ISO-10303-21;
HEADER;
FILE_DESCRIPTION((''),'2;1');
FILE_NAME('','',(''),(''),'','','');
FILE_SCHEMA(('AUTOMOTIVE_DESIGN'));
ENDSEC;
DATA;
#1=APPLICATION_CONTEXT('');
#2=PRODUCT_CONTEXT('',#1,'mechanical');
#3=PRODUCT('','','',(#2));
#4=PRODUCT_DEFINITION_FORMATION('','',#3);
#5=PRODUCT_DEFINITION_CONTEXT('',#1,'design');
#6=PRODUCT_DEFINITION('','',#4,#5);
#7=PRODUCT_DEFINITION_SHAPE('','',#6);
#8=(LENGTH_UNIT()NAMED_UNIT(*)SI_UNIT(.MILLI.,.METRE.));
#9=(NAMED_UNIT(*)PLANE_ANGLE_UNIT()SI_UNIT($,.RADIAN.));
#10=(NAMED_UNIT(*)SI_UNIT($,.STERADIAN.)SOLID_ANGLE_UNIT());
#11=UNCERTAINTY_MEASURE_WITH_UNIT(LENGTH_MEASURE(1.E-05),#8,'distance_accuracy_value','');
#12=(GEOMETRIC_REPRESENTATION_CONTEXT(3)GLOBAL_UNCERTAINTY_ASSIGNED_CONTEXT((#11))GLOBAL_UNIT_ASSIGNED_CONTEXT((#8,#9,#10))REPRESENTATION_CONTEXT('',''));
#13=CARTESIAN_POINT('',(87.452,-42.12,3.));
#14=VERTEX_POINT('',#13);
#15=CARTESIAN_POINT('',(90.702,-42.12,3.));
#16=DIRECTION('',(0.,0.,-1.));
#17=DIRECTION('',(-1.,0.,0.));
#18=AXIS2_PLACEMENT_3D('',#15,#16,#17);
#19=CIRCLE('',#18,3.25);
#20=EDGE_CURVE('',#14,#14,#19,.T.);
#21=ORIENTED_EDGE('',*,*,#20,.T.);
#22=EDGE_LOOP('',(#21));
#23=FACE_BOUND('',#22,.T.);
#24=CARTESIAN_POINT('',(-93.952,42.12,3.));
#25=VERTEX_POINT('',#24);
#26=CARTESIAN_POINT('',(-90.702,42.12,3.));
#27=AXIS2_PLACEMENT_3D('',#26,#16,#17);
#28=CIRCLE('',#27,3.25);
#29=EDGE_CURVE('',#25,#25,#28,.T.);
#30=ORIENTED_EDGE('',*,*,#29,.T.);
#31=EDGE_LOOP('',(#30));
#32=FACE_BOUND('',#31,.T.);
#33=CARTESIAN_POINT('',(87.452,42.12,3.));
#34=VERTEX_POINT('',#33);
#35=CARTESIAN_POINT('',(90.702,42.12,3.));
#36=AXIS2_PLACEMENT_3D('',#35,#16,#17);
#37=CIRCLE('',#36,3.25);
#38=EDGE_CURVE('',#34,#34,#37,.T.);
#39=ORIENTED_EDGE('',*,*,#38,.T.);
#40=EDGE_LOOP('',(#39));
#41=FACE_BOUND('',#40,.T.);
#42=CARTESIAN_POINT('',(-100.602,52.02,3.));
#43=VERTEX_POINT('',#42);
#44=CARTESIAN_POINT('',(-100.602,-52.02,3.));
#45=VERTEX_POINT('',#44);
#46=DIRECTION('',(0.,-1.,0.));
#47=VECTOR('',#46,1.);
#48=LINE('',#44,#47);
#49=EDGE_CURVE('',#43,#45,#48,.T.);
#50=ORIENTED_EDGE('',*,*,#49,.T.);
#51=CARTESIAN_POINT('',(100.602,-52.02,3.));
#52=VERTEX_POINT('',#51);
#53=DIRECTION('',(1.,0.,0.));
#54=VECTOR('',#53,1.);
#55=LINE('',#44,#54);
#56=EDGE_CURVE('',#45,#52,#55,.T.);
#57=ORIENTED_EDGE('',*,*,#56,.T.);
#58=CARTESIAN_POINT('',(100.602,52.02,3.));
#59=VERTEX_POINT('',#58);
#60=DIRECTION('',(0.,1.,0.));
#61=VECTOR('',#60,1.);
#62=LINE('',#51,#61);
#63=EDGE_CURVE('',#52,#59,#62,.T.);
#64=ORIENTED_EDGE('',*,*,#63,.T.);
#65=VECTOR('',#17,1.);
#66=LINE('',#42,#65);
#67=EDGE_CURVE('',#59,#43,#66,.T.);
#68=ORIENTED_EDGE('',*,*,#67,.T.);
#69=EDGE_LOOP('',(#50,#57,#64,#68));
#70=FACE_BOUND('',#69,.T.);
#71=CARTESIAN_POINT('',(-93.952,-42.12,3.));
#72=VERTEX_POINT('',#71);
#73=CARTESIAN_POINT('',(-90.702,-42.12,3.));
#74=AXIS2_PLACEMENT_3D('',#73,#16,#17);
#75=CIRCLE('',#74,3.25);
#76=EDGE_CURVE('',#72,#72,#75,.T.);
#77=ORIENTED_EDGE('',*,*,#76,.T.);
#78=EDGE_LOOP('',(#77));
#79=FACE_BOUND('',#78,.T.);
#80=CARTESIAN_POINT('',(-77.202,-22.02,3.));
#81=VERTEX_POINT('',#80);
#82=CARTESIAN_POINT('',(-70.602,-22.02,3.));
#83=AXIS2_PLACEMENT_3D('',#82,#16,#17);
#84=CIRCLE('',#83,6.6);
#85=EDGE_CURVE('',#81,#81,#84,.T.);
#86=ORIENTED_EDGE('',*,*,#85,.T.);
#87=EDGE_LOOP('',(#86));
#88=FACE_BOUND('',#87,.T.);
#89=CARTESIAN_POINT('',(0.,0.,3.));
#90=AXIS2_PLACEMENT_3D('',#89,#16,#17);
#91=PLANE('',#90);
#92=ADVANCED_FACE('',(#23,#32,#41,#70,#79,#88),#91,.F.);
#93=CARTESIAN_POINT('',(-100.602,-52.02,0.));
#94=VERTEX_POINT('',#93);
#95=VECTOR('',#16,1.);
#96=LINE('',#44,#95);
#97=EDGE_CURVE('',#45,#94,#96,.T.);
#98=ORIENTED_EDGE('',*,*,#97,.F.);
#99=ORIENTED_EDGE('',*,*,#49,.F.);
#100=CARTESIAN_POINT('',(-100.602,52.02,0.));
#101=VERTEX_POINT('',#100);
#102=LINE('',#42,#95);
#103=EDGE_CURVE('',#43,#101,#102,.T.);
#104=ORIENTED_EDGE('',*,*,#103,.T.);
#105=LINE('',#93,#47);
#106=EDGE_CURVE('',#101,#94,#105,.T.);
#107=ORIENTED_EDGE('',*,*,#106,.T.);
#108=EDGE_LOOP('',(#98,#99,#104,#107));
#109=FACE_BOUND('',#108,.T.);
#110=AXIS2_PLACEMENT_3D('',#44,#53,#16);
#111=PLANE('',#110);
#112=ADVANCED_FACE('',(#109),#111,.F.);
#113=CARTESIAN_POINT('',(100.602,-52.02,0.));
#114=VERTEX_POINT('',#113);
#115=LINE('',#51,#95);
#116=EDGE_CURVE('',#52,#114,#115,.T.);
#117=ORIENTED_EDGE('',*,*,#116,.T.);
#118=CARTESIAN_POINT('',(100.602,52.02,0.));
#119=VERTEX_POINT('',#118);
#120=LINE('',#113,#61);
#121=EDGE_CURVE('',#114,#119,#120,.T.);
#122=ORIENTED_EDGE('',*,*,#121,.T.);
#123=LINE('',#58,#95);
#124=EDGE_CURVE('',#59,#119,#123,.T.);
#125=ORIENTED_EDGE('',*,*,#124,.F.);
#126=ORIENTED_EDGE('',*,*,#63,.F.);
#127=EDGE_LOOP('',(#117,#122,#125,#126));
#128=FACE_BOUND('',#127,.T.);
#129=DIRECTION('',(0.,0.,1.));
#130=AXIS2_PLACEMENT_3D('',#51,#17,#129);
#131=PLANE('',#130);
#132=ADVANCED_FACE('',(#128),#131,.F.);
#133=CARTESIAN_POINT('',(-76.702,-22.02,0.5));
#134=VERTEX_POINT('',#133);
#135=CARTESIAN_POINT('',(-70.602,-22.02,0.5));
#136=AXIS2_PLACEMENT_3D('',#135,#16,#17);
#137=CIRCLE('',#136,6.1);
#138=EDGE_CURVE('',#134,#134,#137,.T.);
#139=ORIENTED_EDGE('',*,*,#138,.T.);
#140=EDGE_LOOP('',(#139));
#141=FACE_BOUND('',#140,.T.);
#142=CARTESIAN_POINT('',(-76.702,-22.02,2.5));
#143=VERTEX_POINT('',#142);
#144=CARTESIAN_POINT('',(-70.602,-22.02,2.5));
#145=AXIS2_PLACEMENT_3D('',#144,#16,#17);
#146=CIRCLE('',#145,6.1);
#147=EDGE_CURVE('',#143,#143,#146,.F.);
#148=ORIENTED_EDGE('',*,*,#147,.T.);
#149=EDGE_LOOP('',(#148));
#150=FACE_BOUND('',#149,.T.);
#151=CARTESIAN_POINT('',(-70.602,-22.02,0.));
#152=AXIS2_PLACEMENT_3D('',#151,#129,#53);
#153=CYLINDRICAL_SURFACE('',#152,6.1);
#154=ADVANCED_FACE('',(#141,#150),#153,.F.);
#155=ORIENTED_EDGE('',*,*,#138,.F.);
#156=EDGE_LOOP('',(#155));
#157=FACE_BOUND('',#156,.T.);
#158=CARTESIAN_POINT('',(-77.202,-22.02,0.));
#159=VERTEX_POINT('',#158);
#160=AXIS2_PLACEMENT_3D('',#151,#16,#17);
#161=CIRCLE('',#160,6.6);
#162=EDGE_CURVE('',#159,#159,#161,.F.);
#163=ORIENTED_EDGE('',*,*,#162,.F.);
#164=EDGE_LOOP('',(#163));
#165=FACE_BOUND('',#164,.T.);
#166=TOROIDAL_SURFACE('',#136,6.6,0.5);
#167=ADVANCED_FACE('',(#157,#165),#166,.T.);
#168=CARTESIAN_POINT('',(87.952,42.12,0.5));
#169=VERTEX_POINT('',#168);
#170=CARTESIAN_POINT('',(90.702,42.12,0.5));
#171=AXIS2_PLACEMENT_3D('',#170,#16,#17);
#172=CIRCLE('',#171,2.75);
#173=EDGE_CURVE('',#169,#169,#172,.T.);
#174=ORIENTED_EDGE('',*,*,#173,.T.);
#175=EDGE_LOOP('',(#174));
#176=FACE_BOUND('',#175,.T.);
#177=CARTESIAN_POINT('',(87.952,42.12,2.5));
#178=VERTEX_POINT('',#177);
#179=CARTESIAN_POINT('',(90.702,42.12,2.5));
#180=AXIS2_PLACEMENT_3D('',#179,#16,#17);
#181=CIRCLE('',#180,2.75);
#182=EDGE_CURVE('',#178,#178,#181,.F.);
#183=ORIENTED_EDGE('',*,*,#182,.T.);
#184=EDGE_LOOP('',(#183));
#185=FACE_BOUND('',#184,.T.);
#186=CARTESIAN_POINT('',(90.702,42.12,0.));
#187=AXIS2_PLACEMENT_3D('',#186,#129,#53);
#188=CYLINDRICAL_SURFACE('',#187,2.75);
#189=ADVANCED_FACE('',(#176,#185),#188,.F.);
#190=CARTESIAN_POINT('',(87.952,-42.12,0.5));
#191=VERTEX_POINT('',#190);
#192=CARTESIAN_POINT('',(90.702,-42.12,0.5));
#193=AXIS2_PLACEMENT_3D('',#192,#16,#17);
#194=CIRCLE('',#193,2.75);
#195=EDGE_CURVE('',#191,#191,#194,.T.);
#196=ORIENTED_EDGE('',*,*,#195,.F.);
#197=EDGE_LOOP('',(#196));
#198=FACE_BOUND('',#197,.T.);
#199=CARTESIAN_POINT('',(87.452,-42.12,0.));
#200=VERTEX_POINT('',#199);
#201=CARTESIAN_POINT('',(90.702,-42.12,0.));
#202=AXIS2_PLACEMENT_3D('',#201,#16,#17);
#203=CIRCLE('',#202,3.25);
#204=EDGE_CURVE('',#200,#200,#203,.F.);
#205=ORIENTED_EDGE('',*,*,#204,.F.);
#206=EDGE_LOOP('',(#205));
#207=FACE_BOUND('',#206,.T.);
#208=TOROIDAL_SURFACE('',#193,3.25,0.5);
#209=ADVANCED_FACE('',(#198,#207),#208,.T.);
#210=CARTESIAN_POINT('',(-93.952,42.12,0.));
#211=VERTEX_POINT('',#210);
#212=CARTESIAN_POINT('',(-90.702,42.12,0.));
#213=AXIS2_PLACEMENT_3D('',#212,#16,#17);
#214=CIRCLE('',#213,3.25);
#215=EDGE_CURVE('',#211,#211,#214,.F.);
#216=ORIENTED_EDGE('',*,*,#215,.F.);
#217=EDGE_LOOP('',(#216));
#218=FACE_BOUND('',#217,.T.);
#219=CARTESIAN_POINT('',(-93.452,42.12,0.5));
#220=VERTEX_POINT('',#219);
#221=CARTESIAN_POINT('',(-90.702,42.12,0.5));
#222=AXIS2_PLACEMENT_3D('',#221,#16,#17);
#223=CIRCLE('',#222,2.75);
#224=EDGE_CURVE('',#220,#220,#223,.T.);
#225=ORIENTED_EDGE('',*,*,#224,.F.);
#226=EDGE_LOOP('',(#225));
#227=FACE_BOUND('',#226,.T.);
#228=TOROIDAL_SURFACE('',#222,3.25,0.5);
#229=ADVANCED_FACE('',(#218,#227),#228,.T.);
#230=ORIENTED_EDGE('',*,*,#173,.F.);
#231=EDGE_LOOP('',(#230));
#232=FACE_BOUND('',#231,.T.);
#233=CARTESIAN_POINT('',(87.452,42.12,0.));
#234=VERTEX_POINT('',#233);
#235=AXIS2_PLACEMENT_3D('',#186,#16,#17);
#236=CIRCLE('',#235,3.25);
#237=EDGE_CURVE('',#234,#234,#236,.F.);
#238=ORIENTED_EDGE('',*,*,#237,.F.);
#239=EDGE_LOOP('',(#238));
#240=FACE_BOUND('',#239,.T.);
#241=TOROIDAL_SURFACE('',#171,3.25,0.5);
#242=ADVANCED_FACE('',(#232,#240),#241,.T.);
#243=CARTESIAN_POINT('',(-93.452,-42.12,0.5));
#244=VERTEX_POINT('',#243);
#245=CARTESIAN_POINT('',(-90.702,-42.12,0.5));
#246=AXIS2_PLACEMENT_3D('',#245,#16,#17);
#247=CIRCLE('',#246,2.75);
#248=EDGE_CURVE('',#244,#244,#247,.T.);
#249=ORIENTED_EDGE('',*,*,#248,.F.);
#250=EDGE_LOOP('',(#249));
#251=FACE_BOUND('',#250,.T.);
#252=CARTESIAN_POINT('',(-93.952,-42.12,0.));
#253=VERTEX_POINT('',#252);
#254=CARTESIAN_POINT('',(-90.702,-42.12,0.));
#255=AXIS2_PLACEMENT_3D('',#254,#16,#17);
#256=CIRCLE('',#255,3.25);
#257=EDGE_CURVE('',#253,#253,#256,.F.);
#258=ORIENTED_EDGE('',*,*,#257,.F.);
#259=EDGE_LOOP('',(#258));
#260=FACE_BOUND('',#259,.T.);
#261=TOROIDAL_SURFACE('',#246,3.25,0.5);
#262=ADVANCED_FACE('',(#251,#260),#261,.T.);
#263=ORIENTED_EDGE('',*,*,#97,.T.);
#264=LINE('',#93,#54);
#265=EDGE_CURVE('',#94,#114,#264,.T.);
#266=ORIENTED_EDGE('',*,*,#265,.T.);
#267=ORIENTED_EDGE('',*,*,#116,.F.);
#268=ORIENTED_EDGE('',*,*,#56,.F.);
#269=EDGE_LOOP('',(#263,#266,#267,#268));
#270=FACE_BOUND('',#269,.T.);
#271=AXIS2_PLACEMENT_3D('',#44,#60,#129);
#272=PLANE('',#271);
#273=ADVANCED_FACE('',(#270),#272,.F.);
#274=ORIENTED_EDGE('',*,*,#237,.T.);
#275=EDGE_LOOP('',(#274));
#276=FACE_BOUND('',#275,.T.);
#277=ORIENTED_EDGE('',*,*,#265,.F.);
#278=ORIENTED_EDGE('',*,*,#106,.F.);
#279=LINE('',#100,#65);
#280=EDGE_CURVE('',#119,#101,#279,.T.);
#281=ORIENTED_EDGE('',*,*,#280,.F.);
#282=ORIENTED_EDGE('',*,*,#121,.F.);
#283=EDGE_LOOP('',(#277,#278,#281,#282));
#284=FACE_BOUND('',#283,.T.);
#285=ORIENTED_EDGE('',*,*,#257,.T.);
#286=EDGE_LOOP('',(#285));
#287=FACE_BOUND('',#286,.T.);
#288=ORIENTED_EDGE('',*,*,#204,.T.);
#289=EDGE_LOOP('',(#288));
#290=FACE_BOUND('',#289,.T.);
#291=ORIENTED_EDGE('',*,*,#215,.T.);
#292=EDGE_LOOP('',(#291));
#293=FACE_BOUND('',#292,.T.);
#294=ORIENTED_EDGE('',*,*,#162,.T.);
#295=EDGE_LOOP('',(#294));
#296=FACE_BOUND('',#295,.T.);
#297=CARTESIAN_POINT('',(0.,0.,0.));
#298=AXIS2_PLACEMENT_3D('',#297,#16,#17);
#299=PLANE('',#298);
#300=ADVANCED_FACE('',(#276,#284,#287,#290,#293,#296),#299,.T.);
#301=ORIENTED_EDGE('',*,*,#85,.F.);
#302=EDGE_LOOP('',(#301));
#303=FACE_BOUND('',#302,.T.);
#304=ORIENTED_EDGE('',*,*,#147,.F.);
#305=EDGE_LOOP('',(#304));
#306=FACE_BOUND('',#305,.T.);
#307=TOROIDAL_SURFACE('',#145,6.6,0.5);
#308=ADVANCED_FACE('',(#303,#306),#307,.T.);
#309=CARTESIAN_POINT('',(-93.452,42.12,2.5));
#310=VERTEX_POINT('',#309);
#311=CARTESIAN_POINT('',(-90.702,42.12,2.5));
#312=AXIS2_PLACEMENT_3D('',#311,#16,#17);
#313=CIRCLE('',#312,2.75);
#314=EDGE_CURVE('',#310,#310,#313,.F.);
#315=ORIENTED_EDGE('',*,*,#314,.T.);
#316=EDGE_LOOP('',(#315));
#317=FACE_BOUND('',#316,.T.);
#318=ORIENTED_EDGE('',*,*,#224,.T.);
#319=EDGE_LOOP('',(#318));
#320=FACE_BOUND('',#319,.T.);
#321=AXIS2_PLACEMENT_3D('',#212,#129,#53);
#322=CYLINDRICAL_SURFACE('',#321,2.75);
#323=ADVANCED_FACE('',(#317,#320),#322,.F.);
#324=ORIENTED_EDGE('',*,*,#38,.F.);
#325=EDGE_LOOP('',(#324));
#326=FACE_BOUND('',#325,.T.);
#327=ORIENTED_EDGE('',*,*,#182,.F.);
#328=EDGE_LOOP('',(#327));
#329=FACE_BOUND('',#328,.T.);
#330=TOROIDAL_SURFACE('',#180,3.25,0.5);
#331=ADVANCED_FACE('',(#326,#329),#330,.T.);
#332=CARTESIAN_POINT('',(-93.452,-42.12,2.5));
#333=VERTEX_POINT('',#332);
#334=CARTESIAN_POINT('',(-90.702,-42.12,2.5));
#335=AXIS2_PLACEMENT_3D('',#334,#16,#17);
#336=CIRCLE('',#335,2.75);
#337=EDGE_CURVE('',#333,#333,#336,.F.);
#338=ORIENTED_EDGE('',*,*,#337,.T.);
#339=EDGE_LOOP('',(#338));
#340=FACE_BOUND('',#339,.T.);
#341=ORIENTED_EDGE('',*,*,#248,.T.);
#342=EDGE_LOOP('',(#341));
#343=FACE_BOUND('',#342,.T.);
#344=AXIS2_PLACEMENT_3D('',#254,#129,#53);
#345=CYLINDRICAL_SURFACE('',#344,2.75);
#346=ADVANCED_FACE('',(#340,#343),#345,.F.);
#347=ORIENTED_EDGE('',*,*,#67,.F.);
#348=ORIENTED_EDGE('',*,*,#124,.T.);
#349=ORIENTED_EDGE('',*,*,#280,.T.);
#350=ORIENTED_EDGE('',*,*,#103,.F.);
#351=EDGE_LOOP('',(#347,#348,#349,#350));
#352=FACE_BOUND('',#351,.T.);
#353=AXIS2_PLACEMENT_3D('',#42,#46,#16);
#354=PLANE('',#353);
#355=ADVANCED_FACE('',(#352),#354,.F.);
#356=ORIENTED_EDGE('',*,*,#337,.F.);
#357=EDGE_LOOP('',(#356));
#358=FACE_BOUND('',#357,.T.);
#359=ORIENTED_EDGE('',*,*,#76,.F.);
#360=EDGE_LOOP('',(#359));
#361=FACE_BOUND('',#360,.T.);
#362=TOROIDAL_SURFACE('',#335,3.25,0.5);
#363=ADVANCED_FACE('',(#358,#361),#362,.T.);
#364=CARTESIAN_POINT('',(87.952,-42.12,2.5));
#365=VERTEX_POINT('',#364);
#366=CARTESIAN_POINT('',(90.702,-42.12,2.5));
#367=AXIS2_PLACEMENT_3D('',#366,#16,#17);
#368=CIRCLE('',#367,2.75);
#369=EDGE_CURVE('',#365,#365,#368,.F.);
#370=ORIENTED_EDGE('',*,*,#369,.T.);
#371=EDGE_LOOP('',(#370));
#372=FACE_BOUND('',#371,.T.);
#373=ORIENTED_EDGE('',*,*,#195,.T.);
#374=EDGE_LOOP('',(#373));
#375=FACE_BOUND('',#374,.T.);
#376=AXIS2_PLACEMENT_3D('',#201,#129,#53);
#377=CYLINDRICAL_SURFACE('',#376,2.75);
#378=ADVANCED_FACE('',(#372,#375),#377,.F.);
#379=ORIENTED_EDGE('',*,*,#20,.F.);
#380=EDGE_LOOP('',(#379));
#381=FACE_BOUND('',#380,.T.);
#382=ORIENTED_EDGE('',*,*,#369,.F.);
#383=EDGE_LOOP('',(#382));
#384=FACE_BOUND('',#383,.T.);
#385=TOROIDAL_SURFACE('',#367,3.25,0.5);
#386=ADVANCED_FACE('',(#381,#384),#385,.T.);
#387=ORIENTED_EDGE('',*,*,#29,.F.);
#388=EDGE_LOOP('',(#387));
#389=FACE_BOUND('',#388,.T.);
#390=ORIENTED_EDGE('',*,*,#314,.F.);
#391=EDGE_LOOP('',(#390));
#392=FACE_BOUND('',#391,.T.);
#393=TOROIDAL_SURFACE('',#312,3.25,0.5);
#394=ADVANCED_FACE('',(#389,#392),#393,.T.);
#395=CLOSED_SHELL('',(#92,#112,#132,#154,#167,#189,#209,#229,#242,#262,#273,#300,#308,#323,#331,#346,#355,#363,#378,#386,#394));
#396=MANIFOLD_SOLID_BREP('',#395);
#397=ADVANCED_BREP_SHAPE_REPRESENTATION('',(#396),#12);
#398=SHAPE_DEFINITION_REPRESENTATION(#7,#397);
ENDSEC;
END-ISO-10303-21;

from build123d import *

# Parameters (mm, degrees)
SKETCH1_W           = 201.204
SKETCH1_H           = 104.04
BOSS_EXTRUDE1_DEPTH = 3
SKETCH3_R           = 2.75
CUT_EXTRUDE2_DEPTH  = 4
FILLET2_R           = 0.5
SKETCH4_R           = 6.1
CUT_EXTRUDE4_DEPTH  = 4
FILLET3_R           = 0.5


with BuildPart() as part:
    # Sketch1 → Boss-Extrude1 (new body)
    with BuildSketch(Plane.XY):
        Rectangle(SKETCH1_W, SKETCH1_H)
    extrude(amount=BOSS_EXTRUDE1_DEPTH)

    # Sketch3 → Cut-Extrude2 (cut, through all)
    with BuildSketch(Plane.XY.offset(3)):
        with Locations((-90.702, 42.12)):
            Circle(SKETCH3_R)
        with Locations((90.702, 42.12)):
            Circle(SKETCH3_R)
        with Locations((90.702, -42.12)):
            Circle(SKETCH3_R)
        with Locations((-90.702, -42.12)):
            Circle(SKETCH3_R)
    extrude(amount=-CUT_EXTRUDE2_DEPTH, mode=Mode.SUBTRACT)

    # Fillet2
    fillet2_edges = [part.edges().sort_by_distance(p)[0] for p in [
        (-93.452, -42.12, 0),
        (-93.452, -42.12, 3),
        (87.952, -42.12, 0),
        (87.952, -42.12, 3),
        (87.952, 42.12, 0),
        (87.952, 42.12, 3),
        (-93.452, 42.12, 0),
        (-93.452, 42.12, 3),
    ]]
    fillet(fillet2_edges, radius=FILLET2_R)

    # Sketch4 → Cut-Extrude4 (cut, through all)
    with BuildSketch(Plane.XY.offset(3)):
        with Locations((-70.602, -22.02)):
            Circle(SKETCH4_R)
    extrude(amount=-CUT_EXTRUDE4_DEPTH, mode=Mode.SUBTRACT)

    # Fillet3
    fillet3_edges = [part.edges().sort_by_distance(p)[0] for p in [
        (-76.702, -22.02, 0),
        (-76.702, -22.02, 3),
    ]]
    fillet(fillet3_edges, radius=FILLET3_R)


solid = part.part
